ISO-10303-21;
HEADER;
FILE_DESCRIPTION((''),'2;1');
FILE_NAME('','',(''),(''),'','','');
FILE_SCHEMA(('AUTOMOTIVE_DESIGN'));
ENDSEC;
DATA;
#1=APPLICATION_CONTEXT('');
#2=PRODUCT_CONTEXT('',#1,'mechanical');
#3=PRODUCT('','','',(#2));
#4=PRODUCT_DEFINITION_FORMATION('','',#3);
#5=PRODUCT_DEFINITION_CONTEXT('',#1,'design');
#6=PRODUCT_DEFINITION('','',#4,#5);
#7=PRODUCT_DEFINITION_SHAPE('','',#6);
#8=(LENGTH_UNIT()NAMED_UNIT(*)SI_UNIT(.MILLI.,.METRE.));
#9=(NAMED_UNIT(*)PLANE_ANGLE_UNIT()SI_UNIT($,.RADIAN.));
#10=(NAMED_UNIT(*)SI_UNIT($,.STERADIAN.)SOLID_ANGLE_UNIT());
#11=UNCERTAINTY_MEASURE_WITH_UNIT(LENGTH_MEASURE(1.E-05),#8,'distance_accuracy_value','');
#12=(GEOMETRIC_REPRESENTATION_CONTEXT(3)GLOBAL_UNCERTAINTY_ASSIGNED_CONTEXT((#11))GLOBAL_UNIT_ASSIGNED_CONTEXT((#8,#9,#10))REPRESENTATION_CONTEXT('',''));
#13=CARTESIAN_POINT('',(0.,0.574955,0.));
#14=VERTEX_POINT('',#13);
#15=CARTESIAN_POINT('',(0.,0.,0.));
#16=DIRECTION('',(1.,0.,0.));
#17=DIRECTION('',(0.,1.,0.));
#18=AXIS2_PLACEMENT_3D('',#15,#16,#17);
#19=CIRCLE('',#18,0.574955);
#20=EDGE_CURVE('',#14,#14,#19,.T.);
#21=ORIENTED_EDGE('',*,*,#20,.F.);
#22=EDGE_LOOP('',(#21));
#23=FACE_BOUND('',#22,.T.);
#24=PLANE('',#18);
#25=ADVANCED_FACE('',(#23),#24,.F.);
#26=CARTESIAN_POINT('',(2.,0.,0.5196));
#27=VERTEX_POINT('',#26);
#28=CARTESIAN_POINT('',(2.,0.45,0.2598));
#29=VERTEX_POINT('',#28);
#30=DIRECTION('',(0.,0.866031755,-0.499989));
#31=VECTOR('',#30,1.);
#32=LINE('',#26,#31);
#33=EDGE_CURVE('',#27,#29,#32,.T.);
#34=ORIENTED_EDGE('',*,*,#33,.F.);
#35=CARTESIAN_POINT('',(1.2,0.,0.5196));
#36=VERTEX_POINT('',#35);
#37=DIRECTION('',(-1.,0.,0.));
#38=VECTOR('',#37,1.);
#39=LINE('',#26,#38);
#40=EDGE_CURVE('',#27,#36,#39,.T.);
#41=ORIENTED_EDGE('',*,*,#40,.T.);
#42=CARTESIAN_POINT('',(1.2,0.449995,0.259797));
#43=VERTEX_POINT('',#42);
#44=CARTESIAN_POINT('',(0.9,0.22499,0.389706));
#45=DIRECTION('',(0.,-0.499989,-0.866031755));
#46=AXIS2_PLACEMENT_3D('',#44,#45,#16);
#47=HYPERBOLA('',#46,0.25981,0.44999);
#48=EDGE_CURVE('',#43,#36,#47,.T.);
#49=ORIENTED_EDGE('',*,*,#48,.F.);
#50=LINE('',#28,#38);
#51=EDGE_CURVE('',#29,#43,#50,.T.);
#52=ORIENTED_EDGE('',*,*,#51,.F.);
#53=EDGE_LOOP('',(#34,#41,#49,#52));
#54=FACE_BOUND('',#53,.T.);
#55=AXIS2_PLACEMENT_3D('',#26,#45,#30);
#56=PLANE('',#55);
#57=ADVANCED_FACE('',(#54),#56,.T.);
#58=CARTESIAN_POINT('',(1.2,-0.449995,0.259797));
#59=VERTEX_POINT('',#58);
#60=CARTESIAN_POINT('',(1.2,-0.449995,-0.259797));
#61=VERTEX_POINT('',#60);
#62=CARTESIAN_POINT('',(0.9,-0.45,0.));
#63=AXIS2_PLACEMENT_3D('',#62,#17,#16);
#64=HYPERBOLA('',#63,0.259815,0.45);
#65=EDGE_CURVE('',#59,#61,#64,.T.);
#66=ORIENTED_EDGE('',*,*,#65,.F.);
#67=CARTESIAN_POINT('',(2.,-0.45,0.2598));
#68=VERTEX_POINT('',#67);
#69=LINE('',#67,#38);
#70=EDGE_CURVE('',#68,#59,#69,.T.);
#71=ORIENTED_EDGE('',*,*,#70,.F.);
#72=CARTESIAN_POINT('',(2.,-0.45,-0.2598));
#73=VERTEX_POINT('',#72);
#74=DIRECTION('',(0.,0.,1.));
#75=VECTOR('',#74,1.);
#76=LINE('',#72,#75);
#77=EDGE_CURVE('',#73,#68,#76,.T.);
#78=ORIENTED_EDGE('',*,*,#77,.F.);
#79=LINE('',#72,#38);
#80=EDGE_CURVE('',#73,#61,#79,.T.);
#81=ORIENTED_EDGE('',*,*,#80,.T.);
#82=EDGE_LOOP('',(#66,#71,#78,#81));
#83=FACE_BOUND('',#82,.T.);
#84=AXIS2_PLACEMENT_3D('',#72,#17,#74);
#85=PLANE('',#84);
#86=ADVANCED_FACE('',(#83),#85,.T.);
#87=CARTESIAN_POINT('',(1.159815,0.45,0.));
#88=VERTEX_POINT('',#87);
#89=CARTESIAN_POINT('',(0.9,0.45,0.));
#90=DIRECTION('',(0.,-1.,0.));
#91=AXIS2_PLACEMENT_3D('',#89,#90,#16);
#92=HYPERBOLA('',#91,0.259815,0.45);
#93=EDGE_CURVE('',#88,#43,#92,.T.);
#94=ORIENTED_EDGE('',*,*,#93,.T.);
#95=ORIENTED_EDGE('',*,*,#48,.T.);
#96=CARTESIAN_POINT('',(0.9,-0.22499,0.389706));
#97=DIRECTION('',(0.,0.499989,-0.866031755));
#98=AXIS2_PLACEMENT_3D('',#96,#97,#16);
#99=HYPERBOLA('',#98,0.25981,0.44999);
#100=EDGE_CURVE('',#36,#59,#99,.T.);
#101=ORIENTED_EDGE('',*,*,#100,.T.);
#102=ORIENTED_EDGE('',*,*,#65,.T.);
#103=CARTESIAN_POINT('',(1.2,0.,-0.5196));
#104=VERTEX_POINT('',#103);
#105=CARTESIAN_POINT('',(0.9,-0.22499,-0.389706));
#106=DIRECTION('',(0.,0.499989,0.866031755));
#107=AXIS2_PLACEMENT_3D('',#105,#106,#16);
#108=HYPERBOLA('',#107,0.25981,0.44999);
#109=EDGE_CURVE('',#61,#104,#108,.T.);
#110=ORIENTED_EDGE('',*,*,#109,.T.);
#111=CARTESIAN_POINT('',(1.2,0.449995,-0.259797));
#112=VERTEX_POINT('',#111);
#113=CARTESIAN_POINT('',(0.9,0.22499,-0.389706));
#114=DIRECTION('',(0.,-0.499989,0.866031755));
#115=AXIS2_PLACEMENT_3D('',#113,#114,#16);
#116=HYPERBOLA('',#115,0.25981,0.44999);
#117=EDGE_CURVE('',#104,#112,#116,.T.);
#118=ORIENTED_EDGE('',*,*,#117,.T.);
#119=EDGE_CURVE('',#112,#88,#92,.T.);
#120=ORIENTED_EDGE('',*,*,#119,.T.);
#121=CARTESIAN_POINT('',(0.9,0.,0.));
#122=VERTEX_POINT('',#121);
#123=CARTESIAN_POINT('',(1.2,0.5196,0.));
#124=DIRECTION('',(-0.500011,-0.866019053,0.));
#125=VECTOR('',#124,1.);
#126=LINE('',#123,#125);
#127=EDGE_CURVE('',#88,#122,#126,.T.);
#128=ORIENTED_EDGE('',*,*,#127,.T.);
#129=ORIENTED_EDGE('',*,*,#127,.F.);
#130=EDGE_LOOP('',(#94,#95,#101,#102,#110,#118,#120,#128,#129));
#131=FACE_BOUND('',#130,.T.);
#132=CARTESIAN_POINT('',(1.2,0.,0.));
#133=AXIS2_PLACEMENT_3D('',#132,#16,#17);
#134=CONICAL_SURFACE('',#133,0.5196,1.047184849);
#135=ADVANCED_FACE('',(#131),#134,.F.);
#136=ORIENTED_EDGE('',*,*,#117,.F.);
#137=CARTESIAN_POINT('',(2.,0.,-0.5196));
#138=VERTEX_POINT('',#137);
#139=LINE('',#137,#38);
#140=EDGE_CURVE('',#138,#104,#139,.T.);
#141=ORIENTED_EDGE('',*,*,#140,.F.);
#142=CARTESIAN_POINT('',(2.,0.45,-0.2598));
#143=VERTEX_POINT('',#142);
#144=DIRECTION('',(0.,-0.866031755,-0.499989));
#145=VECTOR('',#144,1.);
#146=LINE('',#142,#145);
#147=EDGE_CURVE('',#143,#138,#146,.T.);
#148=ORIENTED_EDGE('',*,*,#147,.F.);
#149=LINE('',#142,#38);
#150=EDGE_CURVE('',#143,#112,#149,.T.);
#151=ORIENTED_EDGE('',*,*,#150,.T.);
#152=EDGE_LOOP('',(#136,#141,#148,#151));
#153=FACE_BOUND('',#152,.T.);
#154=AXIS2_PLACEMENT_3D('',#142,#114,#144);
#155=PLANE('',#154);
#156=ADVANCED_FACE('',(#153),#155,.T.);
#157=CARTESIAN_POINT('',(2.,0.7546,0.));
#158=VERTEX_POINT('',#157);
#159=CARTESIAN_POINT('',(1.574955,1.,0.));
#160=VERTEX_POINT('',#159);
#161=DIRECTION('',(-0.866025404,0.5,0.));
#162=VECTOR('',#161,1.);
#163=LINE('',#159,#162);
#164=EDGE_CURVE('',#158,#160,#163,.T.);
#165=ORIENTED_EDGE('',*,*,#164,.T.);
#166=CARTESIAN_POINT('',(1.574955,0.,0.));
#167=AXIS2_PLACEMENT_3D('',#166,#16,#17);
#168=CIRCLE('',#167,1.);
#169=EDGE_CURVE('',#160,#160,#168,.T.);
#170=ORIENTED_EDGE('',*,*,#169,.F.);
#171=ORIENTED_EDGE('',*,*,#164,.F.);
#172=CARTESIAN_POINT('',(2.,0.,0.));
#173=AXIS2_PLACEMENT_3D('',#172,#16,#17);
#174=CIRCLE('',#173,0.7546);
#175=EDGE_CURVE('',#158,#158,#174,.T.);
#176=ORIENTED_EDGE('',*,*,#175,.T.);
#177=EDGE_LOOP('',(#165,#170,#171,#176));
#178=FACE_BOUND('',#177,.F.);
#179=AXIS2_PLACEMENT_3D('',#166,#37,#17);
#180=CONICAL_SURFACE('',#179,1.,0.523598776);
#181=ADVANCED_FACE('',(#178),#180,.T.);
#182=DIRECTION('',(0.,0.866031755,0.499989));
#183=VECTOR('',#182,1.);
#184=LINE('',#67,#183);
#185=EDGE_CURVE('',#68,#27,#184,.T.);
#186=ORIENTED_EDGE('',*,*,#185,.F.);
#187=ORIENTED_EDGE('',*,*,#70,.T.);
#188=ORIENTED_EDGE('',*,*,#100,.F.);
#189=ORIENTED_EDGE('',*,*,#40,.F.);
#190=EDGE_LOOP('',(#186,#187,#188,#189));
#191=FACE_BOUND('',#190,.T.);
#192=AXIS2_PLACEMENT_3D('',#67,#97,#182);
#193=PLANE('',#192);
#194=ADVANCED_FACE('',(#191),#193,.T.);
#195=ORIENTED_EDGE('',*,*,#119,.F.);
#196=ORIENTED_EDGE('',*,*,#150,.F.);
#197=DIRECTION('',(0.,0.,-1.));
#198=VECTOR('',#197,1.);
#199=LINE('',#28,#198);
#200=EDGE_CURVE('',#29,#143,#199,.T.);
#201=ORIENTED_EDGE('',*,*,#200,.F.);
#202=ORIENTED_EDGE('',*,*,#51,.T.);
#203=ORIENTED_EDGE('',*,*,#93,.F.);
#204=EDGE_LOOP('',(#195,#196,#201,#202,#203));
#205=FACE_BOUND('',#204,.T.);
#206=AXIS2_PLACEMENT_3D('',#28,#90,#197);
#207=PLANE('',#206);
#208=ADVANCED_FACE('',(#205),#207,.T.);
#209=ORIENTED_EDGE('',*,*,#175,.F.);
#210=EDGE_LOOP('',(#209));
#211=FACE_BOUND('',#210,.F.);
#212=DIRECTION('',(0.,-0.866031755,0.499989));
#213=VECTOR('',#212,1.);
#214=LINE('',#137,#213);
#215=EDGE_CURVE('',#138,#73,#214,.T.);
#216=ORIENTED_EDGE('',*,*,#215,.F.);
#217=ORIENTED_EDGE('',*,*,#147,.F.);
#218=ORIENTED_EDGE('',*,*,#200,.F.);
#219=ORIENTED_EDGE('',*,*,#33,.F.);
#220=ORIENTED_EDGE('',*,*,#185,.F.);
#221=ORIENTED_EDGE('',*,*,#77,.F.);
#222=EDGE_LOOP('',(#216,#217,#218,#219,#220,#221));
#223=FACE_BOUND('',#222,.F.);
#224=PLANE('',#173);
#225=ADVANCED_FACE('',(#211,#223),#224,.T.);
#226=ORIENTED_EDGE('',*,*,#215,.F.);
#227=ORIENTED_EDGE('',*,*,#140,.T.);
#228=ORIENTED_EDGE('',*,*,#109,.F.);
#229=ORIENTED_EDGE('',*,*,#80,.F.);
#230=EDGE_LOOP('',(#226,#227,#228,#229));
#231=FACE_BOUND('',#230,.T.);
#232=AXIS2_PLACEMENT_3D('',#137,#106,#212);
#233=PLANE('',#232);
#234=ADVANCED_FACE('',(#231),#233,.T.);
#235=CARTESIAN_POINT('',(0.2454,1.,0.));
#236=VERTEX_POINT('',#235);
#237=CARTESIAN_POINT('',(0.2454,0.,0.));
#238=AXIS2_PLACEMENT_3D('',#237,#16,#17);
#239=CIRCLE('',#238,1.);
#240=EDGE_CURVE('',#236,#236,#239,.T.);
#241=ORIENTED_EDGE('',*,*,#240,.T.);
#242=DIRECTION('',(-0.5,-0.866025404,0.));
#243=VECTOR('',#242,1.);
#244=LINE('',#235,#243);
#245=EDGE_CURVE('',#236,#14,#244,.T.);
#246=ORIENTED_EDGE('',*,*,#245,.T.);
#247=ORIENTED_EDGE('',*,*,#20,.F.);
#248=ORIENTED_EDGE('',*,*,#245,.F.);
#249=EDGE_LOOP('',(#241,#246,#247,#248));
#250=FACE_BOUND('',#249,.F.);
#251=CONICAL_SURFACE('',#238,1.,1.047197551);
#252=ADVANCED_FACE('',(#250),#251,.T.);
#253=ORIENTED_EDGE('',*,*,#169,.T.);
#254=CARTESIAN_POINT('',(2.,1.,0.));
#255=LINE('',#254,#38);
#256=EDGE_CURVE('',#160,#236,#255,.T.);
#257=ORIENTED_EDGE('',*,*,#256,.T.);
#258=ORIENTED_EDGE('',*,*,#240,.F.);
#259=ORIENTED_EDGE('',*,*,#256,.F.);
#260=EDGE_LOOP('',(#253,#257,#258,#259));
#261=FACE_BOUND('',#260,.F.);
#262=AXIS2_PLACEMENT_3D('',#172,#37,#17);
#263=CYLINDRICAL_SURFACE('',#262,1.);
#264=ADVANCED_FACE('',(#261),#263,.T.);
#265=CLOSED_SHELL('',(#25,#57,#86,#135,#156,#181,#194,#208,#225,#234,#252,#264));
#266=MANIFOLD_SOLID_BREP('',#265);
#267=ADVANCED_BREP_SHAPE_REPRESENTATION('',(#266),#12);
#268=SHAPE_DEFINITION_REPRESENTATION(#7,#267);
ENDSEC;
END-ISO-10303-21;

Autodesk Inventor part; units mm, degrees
ref_plane "YZ Plane" through (0, 0, 0) normal (1, 0, 0) x (0, 1, 0)
ref_plane "XZ Plane" through (0, 0, 0) normal (0, 1, 0) x (-1, 0, 0)
sketch "Skizze1" plane through (0, 0, 0) normal (0, 0, 1) x (1, 0, 0)
  line L0 (0, 0) -> (0.9, 0)
  line L1 (2, 0.5196) -> (2, 1)
  line L2 (2, 1) -> (0, 1)
  line L3 (2, 0.5196) -> (1.2, 0.5196)
  line L4 (1.2, 0.5196) -> (0.9, 0)
  line L5 (0, -0.2) -> (0, 1.2) projected
  line L6 (0, 1) -> (0, 0)
  dimension "d0" = 0.8
  dimension "d1" = 60
  dimension "d2" = 2
  dimension "d3" = 1.0392
  dimension "d5" = 2
revolve "Körper" add sketch "Skizze1" angle 360 about axis through (0, 0, 0) along (1, 0, 0)
chamfer "Fase1" distance 0.2454 angle 60 1 edges at (2, -1, 0) measured on face at (2, 0.8252, -0.1212)
sketch "Skizze2" plane through (2, 0, 0) normal (1, 0, 0) x (0, 0, -1)
  circle A0 centre (0, 0) radius 0.5196 projected
  line L0 (-0.2598, 0.45) -> (0.2598, 0.45)
  line L1 (0.2598, 0.45) -> (0.5196, 0)
  line L2 (0.5196, 0) -> (0.2598, -0.45)
  line L3 (0.2598, -0.45) -> (-0.2598, -0.45)
  line L4 (-0.2598, -0.45) -> (-0.5196, 0)
  line L5 (-0.5196, 0) -> (-0.2598, 0.45)
extrude "Loch" add sketch "Skizze2" against normal up to next contours L1 A0 | A0 L2 | L0 A0 | A0 L3 | L5 A0 | A0 L4
thread "Gewinde" size "M2x0.4" class "6g" standard "ISO Metric profile" length 2
chamfer "Fase2" distance 0.2454 angle 60 1 edges at (0, -1, 0) measured on face at (0.525, 0.9871, -0.1604)
ref_plane "Work Plane1" through (1, 0, 0) normal (0, 0.5, 0.866) x (1, 0, 0)
equation "\"d0\" = INTI"
equation "\"d2\" = NND"
equation "\"d3\" = 1.1547 * SW"
equation "\"d5\" = NLG"
equation "\"d7\" = -0.5 * GD1 + 0.5 * NND"
equation "\"d8\" = FAWI"
equation "\"d29\" = -0.5 * GD1 + 0.5 * NND"
equation "\"d11\" = NLG"
equation "\"d13\" = -0.5 * GD1 + 0.5 * NND"
equation "\"d14\" = FAWI"
equation "\"d30\" = -0.5 * GD1 + 0.5 * NND"
equation "\"NND\" = 2"
equation "\"NLG\" = 2"
equation "\"INTI\" = 0.8"
equation "\"FAWI\" = 60deg"
equation "\"SW\" = 0.9"
equation "\"GD1\" = THREADDIA - 1.2269 * PTC"
equation "\"FAWI1\" = 45deg"
equation "\"GUL\" = 0.61345 * PTC"
equation "\"SPD\" = 1"
equation "\"TOA\" = 30deg"
equation "\"THREADDIA\" = 2"
equation "\"PTC\" = 0.4"
equation "\"GAL\" = 0.61345 * PTC"
equation "\"E0\" = 1.155 * SW"
properties part number "BS 4168 - M2 x 2" material "Steel, Mild"
